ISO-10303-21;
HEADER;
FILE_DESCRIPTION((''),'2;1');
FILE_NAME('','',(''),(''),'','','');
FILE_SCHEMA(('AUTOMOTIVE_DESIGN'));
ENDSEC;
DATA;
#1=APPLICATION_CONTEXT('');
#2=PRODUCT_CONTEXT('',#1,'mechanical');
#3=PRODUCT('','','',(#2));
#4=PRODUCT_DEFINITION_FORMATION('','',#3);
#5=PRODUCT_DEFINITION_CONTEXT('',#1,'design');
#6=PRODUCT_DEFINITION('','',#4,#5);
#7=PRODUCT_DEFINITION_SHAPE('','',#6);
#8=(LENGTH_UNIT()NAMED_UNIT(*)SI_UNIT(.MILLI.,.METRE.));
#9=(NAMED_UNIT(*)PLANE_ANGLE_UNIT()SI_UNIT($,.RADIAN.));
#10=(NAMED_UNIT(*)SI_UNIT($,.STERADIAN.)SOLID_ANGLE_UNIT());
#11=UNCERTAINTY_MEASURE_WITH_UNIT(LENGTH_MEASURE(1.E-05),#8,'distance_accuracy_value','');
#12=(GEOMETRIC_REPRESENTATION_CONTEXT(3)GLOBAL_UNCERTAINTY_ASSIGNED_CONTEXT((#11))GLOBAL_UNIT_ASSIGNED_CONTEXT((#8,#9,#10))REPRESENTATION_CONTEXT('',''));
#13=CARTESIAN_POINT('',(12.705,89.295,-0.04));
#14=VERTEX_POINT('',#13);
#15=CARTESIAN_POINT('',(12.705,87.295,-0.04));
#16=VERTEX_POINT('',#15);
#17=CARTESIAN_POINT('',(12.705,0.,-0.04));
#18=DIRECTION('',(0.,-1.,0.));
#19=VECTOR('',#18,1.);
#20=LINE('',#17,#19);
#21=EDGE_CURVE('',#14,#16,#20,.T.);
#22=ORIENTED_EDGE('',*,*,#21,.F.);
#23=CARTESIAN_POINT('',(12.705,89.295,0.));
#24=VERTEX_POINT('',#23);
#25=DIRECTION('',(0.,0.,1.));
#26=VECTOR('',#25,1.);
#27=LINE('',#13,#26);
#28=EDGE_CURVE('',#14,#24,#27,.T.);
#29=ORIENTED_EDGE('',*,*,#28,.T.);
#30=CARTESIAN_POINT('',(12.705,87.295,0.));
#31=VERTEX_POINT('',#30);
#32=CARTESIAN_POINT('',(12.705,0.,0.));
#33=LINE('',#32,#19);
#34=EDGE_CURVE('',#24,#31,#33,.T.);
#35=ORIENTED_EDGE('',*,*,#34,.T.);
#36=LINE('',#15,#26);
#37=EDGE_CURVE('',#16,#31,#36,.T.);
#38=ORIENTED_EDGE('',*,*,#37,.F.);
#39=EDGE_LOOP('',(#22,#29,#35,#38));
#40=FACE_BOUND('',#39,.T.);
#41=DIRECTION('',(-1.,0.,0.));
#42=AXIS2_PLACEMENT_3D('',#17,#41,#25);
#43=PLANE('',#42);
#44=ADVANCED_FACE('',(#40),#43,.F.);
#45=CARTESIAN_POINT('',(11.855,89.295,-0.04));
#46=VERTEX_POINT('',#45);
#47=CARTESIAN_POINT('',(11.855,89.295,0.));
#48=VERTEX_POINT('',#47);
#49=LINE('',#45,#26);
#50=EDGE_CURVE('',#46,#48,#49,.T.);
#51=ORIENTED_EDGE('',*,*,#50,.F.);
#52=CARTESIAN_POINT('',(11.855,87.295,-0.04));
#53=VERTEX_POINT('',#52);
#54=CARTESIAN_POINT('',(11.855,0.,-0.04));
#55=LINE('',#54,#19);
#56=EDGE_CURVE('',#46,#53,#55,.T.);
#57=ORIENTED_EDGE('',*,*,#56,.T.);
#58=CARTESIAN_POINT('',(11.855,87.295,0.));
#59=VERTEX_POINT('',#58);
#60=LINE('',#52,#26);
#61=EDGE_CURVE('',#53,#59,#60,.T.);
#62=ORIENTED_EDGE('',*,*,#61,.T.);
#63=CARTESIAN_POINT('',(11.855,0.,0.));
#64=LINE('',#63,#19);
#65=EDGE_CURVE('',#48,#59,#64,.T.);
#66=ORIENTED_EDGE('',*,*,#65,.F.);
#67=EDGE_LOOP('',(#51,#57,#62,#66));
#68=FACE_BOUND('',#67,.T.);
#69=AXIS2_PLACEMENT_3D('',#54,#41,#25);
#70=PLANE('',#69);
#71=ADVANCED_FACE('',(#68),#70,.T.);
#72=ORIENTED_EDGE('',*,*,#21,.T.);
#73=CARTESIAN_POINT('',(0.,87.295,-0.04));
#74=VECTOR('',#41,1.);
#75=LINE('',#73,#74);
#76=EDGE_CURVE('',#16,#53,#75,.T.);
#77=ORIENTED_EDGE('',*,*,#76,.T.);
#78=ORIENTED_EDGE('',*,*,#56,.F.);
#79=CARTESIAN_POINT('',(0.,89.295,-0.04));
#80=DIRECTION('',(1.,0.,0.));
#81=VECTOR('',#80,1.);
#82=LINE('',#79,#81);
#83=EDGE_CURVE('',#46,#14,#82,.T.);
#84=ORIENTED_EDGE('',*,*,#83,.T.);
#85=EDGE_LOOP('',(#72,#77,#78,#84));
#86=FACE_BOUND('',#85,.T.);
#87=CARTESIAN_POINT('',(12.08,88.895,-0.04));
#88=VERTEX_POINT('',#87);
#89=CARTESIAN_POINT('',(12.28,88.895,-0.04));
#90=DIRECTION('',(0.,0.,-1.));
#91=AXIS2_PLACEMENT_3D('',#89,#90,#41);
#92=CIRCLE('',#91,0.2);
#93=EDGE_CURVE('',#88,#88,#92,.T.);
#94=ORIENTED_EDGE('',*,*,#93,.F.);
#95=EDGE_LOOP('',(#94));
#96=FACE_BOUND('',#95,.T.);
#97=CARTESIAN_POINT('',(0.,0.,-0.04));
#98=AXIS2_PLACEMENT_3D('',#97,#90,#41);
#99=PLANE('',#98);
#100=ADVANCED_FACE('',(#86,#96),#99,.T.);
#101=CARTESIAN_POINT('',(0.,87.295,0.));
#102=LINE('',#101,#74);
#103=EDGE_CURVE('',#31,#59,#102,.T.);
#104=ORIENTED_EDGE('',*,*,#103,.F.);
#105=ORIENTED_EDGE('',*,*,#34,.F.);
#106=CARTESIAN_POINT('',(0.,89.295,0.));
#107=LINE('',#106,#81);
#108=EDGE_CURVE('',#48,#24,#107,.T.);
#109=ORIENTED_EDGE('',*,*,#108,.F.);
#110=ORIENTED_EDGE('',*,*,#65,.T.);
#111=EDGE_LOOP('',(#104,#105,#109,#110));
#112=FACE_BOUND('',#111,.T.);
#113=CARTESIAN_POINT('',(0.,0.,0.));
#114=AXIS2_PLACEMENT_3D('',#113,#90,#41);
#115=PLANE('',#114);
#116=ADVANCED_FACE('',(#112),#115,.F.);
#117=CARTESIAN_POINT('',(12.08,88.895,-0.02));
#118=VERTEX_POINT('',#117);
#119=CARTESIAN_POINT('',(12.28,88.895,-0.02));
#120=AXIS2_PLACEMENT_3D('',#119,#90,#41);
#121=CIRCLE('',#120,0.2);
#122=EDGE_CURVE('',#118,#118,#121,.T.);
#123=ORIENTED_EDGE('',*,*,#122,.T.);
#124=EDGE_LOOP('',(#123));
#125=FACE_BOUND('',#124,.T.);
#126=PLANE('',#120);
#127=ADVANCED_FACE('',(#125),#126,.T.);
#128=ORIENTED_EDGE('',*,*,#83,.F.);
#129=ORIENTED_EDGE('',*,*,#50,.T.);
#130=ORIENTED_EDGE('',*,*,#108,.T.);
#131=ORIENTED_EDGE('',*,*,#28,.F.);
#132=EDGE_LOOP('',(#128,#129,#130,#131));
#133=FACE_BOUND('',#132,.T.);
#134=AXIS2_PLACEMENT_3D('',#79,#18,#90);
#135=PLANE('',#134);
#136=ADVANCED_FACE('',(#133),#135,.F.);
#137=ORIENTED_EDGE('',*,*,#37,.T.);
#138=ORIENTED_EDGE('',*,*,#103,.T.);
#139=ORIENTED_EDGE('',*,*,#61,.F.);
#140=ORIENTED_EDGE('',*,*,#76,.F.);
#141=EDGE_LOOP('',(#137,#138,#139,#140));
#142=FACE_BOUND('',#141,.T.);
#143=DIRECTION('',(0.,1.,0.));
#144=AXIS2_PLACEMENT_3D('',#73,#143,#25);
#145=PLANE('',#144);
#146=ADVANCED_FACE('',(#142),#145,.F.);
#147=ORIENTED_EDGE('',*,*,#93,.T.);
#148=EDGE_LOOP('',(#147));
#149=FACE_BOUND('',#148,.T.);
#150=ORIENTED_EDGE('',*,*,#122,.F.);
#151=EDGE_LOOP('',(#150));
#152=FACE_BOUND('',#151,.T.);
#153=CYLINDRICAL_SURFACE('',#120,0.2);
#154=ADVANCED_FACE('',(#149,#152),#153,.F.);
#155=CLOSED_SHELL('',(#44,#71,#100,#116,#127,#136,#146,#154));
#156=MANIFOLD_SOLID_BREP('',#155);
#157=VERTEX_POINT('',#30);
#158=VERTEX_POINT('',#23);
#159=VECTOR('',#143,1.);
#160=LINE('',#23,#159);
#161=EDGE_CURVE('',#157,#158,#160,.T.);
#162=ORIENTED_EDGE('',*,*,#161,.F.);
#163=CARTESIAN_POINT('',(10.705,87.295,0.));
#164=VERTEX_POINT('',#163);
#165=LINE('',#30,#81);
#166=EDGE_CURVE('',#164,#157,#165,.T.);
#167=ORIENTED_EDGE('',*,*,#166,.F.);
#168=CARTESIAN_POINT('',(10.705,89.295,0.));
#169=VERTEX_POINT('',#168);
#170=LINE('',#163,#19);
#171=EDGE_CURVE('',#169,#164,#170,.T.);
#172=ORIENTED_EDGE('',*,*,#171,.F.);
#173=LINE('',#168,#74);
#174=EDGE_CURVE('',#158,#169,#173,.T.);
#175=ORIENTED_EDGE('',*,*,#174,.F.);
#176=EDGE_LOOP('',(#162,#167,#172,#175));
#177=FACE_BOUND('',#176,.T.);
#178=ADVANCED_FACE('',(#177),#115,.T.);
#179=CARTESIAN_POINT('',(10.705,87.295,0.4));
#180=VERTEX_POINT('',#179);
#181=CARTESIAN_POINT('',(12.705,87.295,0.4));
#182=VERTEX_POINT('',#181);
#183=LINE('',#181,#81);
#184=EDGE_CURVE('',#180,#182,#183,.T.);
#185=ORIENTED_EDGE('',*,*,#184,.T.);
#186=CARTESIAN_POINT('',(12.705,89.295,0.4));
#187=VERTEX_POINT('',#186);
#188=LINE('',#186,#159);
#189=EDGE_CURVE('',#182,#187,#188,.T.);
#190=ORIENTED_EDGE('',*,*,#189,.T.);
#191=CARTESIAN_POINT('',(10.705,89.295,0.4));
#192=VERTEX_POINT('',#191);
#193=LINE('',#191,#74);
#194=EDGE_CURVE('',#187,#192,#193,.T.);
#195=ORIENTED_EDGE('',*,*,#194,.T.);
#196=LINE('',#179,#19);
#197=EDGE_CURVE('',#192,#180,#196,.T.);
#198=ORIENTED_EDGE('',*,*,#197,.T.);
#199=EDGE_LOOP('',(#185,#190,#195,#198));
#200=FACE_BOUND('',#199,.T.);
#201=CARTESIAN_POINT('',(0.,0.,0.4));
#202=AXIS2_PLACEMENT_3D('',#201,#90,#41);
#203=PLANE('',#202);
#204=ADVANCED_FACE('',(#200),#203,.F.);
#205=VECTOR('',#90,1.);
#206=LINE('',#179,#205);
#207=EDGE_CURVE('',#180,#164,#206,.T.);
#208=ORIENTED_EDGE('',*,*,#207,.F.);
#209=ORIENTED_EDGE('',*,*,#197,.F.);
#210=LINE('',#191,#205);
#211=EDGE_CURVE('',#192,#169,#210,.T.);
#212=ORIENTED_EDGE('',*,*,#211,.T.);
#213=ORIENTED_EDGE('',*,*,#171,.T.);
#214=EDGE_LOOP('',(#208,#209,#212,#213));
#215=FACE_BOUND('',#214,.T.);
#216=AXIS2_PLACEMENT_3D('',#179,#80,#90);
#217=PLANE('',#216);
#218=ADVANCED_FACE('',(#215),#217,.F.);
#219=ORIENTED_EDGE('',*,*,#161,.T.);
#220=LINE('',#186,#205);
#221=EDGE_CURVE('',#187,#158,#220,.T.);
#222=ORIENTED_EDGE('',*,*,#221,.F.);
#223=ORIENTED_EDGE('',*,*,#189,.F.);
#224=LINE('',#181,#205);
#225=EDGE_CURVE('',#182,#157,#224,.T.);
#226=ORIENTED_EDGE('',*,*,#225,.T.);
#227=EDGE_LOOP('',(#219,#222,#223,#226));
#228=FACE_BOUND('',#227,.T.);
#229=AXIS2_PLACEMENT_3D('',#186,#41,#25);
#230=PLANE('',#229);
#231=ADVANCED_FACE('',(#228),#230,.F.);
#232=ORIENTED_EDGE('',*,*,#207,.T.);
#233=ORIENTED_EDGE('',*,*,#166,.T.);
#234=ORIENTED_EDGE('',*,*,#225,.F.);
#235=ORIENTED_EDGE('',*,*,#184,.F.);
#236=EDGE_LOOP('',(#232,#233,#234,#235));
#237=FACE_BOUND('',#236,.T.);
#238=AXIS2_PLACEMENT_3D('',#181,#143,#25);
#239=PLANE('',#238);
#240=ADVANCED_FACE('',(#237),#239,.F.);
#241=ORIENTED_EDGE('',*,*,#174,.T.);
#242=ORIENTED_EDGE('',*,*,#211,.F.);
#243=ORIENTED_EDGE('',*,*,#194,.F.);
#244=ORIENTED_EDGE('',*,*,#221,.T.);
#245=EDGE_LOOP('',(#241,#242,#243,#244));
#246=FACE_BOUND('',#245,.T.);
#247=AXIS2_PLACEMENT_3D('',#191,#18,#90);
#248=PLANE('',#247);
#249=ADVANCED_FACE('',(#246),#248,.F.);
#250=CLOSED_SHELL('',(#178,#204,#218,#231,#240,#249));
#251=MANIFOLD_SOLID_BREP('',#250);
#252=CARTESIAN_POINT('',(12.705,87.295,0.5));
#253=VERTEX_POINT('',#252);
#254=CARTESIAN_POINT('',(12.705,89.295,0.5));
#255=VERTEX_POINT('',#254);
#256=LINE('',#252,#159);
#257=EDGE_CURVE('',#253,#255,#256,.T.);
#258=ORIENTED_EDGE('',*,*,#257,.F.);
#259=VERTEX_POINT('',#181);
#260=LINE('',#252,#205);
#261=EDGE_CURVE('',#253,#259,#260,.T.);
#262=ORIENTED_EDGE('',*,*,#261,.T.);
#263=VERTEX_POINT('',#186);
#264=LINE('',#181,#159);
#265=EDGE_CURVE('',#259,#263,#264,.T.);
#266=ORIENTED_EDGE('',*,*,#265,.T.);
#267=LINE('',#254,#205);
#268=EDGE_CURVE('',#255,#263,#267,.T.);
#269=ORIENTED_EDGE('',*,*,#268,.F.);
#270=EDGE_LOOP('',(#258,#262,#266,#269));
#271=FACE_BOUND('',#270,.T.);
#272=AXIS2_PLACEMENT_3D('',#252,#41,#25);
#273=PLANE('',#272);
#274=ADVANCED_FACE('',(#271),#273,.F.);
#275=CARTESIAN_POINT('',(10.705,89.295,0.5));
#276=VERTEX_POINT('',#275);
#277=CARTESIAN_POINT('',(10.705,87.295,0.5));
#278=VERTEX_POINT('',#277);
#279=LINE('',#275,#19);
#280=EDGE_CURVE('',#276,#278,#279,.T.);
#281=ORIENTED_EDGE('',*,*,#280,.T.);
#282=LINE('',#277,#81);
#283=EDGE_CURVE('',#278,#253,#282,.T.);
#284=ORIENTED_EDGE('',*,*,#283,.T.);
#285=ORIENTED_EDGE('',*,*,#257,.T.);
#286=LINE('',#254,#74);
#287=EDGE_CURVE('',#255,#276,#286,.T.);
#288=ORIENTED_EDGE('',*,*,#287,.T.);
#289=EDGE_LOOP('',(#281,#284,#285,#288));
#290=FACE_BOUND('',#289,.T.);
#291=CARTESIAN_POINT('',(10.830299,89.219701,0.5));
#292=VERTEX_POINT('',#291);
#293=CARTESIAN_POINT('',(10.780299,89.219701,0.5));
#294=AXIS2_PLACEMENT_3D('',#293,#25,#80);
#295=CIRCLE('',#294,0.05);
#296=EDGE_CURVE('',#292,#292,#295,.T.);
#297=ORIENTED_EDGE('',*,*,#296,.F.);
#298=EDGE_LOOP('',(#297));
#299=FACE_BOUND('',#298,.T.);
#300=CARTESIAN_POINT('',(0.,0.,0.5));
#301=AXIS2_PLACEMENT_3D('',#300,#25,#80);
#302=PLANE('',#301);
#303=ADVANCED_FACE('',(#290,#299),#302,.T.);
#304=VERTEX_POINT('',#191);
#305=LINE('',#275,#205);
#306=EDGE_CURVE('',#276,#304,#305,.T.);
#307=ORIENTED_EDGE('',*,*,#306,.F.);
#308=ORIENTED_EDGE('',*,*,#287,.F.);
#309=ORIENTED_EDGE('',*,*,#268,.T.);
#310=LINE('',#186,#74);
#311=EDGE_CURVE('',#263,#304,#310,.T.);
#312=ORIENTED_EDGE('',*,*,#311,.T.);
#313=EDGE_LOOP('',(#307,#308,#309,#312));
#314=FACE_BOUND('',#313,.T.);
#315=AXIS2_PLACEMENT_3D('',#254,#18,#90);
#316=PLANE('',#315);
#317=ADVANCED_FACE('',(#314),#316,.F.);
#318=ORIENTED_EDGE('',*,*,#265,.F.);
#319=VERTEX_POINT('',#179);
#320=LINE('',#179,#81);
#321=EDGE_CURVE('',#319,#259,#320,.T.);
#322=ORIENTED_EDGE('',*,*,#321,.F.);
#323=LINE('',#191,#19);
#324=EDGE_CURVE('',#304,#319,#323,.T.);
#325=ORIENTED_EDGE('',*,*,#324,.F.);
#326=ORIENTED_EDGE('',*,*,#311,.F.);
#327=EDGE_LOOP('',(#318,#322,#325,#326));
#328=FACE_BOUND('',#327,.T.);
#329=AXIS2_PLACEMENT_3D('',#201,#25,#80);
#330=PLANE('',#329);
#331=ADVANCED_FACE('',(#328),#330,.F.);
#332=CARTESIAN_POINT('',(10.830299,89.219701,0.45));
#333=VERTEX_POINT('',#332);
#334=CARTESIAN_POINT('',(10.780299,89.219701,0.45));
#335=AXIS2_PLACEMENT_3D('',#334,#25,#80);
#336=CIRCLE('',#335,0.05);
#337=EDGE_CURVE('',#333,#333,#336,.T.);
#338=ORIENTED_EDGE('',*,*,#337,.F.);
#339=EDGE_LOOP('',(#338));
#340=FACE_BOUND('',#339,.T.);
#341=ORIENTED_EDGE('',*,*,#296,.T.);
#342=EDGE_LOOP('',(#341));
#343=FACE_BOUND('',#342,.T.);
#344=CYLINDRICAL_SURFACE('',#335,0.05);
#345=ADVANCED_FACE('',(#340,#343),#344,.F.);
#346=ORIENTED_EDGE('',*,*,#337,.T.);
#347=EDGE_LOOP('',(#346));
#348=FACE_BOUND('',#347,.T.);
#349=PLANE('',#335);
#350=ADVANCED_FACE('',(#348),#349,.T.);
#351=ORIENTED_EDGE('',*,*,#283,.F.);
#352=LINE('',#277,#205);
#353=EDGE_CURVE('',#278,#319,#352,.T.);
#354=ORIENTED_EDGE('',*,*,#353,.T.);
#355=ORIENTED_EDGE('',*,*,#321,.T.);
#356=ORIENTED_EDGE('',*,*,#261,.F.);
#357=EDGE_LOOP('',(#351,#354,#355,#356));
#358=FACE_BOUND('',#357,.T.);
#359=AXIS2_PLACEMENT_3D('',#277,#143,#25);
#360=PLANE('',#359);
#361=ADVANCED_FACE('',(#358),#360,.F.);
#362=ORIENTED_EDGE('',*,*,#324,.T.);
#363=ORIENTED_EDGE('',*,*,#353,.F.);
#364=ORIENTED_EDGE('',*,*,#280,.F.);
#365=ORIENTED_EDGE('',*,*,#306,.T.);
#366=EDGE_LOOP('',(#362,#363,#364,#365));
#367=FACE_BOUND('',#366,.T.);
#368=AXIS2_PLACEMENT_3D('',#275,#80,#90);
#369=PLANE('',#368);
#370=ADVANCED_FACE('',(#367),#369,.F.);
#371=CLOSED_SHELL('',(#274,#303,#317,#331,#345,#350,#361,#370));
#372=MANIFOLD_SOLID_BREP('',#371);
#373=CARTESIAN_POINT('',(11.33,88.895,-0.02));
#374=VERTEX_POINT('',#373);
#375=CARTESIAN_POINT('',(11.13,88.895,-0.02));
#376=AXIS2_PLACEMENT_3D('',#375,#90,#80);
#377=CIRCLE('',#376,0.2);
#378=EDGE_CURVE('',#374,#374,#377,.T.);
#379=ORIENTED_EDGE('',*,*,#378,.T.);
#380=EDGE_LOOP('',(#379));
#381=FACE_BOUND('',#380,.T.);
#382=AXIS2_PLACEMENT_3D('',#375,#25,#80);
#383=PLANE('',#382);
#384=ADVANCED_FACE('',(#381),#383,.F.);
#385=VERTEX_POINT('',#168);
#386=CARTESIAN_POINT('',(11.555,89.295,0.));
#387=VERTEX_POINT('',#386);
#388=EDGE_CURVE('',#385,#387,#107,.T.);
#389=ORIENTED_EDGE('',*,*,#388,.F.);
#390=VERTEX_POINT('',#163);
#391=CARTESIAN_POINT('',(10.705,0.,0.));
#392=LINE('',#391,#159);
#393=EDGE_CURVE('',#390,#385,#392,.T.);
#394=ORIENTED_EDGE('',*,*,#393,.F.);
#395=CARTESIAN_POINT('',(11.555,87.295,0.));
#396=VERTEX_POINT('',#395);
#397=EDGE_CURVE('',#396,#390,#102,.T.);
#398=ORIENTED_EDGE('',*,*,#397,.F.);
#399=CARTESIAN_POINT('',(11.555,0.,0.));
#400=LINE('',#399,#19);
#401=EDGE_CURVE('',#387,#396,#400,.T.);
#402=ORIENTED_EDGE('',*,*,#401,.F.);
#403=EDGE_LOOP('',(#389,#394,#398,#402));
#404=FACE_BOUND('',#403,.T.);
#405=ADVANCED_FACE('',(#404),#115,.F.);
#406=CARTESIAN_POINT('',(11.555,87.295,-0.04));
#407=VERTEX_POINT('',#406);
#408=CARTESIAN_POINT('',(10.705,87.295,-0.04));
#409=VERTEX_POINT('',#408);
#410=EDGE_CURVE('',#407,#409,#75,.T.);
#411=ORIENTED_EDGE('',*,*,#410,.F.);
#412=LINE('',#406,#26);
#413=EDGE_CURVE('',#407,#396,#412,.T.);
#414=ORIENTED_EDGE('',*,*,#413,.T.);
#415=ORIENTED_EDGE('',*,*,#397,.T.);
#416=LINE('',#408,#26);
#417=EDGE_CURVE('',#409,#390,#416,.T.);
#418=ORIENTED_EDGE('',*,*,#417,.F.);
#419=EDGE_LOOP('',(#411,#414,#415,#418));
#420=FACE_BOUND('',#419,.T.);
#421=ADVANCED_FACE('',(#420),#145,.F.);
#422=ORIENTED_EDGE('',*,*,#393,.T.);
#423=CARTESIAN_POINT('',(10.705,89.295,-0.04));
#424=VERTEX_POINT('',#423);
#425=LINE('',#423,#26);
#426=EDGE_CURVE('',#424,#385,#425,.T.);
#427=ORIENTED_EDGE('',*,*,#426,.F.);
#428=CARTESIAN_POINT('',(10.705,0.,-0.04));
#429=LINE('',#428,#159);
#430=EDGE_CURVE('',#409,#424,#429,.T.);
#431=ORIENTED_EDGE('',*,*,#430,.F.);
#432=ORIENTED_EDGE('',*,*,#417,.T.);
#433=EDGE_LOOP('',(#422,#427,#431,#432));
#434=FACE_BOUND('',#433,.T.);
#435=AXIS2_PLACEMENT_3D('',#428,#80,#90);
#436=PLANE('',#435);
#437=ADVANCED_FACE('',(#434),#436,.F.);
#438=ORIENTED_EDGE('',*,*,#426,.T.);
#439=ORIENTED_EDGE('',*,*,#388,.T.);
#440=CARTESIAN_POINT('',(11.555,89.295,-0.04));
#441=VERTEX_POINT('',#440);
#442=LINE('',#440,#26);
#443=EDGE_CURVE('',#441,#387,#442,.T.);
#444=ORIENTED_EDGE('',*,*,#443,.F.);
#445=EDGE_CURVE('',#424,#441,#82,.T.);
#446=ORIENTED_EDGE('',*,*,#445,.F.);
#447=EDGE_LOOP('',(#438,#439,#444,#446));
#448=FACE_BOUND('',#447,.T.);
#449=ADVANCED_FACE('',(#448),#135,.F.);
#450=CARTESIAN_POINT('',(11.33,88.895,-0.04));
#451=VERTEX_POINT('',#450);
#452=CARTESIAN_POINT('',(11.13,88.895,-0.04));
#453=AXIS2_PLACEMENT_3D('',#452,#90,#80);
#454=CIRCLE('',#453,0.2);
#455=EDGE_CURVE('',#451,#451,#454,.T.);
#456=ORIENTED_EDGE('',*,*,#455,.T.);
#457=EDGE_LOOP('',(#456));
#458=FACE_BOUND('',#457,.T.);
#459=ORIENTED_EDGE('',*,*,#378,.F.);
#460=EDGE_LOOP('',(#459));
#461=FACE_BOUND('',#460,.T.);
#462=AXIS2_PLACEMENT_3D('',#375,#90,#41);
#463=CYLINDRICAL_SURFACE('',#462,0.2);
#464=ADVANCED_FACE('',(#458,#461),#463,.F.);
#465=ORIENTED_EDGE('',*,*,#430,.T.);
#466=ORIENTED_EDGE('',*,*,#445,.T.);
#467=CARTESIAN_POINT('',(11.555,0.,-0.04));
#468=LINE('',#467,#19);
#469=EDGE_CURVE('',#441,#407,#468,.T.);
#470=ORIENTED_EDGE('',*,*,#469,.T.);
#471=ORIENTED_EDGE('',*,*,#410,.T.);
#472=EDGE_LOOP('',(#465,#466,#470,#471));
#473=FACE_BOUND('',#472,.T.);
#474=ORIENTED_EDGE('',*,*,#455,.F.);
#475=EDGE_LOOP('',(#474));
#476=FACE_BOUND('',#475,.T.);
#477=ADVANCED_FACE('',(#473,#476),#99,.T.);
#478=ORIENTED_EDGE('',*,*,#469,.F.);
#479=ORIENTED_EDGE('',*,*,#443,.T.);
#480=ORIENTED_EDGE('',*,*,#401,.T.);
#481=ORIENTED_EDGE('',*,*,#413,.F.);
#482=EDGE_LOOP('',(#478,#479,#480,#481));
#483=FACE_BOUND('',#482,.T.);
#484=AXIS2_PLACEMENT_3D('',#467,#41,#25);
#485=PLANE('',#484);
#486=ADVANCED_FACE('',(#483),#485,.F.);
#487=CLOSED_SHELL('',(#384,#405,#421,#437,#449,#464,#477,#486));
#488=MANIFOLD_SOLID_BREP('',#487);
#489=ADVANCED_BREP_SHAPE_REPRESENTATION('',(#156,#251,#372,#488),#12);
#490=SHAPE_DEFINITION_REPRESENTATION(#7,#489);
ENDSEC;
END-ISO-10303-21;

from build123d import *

# Parameters (mm, degrees)
MODEL_W               = 2
MODEL_H               = 2
BOSS_EXTRUDE1_DEPTH   = 0.4
SKETCH3_W             = 2
SKETCH3_H             = 2
BOSS_EXTRUDE2_DEPTH   = 0.1
SKETCH2_W             = 0.85
SKETCH2_H             = 2
BOSS_EXTRUDE3_DEPTH   = 0.04
BOSS_EXTRUDE3_2_DEPTH = 0.04
SKETCH4_R             = 0.05
CUT_EXTRUDE1_DEPTH    = 0.05
SKETCH6_R             = 0.2
CUT_EXTRUDE3_DEPTH    = 0.02


with BuildPart() as part:
    # Model → Boss-Extrude1 (new body)
    with BuildSketch(Plane.XY):
        with Locations((11.705, 88.295)):
            Rectangle(MODEL_W, MODEL_H)
    extrude(amount=BOSS_EXTRUDE1_DEPTH)


with BuildPart() as body_2:
    # Sketch3 → Boss-Extrude2 (new body)
    with BuildSketch(Plane.XY.offset(0.4)):
        with Locations((11.705, 88.295)):
            Rectangle(SKETCH3_W, SKETCH3_H)
    extrude(amount=BOSS_EXTRUDE2_DEPTH)

    # Sketch4 → Cut-Extrude1 (cut)
    with BuildSketch(Plane.XY.offset(0.5)):
        with Locations((10.780299021, 89.219700979)):
            Circle(SKETCH4_R)
    extrude(amount=-CUT_EXTRUDE1_DEPTH, mode=Mode.SUBTRACT)


with BuildPart() as body_3:
    # Sketch2 → Boss-Extrude3 (new body)
    with BuildSketch(Plane(origin=(0, 0, 0), x_dir=(-1, 0, 0), z_dir=(0, 0, -1))):
        with Locations((-11.13, 88.295)):
            Rectangle(SKETCH2_W, SKETCH2_H)
    extrude(amount=BOSS_EXTRUDE3_DEPTH)


with BuildPart() as body_4:
    # Sketch2 → Boss-Extrude3 2 (new body)
    with BuildSketch(Plane(origin=(0, 0, 0), x_dir=(-1, 0, 0), z_dir=(0, 0, -1))):
        with Locations((-12.28, 88.295)):
            Rectangle(SKETCH2_W, SKETCH2_H)
    extrude(amount=BOSS_EXTRUDE3_2_DEPTH)


with BuildPart() as cut_extrude3_tool:
    # Sketch6 → Cut-Extrude3 (new body)
    with BuildSketch(Plane(origin=(0, 0, -0.04), x_dir=(-1, 0, 0), z_dir=(0, 0, -1))):
        with Locations((-12.28, 88.895)):
            Circle(SKETCH6_R)
        with Locations(Location((-11.13, 88.895, 0), (0, 0, 180))):  # turned: the seam where the file's is
            Circle(SKETCH6_R)
    extrude(amount=-CUT_EXTRUDE3_DEPTH)


with BuildPart() as body_3_1:
    add(body_3.part)

    # Cut-Extrude3: cut by cut_extrude3_tool
    add(cut_extrude3_tool.part, mode=Mode.SUBTRACT)


with BuildPart() as body_4_1:
    add(body_4.part)

    # Cut-Extrude3: cut by cut_extrude3_tool
    add(cut_extrude3_tool.part, mode=Mode.SUBTRACT)


solid = Compound([part.part, body_2.part, body_3_1.part, body_4_1.part])
